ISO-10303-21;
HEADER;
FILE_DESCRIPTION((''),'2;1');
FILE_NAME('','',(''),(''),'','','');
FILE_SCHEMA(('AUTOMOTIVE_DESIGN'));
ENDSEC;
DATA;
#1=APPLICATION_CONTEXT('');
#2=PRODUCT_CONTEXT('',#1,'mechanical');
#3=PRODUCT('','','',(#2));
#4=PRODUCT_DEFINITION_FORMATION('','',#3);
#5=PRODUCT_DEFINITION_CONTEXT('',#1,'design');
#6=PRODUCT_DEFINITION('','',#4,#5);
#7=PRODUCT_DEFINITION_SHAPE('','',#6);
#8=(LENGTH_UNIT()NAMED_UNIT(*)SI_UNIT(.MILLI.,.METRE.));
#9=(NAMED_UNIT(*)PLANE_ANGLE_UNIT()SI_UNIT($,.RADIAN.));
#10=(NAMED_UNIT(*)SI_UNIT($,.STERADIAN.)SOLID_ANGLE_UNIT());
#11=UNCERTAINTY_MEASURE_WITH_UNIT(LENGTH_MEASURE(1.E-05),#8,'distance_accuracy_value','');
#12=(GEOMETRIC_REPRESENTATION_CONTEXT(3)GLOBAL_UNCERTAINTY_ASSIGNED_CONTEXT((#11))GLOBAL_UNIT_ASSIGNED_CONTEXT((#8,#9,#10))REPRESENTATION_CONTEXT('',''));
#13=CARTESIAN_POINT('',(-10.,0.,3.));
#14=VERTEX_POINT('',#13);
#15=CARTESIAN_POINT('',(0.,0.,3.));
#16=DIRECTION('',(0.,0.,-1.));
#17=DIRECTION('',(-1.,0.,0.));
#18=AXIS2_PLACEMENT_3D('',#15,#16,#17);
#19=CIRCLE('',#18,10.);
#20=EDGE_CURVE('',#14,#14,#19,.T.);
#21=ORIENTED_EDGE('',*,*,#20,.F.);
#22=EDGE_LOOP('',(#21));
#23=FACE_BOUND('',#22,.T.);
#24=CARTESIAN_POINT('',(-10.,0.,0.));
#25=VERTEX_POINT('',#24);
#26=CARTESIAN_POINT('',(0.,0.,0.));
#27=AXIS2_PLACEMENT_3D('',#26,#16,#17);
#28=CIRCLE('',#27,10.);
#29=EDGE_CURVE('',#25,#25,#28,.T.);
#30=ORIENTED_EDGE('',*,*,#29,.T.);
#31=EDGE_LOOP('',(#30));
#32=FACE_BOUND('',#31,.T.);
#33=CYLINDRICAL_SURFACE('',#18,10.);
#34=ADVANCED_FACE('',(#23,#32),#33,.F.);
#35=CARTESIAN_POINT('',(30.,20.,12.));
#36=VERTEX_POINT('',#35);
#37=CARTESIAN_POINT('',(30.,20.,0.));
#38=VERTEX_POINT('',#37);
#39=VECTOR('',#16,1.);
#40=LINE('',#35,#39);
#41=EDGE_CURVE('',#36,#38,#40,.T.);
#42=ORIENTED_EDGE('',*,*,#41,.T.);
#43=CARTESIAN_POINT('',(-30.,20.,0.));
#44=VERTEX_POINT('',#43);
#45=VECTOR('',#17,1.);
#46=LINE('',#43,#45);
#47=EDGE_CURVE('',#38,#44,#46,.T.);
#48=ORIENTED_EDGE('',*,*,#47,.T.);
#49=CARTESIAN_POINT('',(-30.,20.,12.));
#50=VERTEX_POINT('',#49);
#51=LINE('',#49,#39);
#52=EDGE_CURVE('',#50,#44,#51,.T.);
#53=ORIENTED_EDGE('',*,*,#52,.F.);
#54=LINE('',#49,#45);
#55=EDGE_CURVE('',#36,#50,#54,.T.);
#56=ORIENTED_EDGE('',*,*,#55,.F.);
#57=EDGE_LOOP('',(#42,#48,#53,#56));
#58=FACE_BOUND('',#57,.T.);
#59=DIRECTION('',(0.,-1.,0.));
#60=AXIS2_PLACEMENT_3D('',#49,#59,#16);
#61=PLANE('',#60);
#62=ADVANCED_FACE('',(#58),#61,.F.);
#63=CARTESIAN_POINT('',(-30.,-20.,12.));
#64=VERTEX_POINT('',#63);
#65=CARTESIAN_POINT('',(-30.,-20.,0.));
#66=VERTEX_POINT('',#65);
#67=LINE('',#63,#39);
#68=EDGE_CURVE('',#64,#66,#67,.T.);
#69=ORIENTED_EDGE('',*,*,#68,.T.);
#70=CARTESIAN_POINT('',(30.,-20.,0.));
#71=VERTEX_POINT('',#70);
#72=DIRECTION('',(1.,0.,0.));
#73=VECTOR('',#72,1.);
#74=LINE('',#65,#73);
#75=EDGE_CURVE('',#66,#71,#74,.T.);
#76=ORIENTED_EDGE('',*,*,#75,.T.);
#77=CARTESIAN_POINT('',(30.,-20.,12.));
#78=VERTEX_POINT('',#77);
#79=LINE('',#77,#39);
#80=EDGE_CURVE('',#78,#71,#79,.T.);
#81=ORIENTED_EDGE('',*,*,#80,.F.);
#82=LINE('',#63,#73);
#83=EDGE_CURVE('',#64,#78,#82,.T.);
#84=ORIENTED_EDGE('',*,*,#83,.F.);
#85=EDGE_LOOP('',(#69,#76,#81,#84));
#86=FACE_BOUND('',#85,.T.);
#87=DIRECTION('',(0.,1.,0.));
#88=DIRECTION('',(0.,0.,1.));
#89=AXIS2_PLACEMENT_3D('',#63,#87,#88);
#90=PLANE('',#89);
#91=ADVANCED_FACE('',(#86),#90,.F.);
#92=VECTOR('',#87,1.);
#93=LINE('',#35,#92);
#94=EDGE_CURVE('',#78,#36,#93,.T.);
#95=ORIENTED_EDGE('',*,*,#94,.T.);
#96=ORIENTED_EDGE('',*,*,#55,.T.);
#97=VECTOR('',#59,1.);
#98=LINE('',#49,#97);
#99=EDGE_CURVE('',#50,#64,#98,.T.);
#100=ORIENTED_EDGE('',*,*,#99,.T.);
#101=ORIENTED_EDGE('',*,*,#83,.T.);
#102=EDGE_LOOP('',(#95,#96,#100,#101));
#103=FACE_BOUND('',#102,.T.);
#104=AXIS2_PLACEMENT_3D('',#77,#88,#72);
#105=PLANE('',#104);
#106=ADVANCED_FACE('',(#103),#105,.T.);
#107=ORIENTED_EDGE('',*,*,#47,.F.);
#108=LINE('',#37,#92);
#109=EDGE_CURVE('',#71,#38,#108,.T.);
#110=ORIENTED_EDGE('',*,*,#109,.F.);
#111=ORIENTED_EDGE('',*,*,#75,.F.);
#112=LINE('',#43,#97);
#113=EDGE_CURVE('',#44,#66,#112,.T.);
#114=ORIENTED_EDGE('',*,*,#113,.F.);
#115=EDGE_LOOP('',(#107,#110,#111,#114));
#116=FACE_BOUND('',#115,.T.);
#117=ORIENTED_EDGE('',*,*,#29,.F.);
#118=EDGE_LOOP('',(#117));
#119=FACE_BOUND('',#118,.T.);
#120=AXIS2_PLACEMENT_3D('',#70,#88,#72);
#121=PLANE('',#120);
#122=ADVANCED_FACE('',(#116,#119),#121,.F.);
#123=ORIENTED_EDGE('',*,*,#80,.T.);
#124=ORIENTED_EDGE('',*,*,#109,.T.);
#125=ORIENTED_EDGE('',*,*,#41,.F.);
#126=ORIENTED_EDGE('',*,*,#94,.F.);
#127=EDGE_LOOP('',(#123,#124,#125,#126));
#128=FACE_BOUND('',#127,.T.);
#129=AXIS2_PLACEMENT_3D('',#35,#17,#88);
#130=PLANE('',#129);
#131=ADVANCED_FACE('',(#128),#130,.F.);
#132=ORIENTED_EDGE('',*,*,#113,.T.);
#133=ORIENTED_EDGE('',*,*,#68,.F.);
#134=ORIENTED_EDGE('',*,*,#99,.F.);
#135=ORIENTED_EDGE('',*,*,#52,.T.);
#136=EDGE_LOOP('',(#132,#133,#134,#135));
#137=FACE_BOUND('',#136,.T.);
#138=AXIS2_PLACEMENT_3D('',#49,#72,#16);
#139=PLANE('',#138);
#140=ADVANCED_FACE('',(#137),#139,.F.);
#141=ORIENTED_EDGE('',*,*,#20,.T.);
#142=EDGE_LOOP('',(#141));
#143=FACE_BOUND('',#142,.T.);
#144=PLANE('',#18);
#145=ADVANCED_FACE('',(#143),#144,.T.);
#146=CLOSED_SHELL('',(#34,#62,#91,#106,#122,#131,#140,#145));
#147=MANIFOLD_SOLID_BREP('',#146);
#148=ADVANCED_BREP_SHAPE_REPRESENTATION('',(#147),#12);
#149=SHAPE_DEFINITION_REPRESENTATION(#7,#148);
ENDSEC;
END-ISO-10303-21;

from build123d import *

# Parameters (mm, degrees)
SKETCH_1_W          = 60
SKETCH_1_H          = 40
EXTRUDE_1_DEPTH     = 12
SKETCH_2_R          = 10
CUT_EXTRUDE_1_DEPTH = 3


with BuildPart() as part:
    # 草图1 → 凸台-拉伸1 (new body)
    with BuildSketch(Plane.XY):
        Rectangle(SKETCH_1_W, SKETCH_1_H)
    extrude(amount=EXTRUDE_1_DEPTH)

    # 草图2 → 切除-拉伸1 (cut)
    with BuildSketch(Plane(origin=(0, 0, 0), x_dir=(-1, 0, 0), z_dir=(0, 0, -1))):
        Circle(SKETCH_2_R)
    extrude(amount=-CUT_EXTRUDE_1_DEPTH, mode=Mode.SUBTRACT)


solid = part.part
